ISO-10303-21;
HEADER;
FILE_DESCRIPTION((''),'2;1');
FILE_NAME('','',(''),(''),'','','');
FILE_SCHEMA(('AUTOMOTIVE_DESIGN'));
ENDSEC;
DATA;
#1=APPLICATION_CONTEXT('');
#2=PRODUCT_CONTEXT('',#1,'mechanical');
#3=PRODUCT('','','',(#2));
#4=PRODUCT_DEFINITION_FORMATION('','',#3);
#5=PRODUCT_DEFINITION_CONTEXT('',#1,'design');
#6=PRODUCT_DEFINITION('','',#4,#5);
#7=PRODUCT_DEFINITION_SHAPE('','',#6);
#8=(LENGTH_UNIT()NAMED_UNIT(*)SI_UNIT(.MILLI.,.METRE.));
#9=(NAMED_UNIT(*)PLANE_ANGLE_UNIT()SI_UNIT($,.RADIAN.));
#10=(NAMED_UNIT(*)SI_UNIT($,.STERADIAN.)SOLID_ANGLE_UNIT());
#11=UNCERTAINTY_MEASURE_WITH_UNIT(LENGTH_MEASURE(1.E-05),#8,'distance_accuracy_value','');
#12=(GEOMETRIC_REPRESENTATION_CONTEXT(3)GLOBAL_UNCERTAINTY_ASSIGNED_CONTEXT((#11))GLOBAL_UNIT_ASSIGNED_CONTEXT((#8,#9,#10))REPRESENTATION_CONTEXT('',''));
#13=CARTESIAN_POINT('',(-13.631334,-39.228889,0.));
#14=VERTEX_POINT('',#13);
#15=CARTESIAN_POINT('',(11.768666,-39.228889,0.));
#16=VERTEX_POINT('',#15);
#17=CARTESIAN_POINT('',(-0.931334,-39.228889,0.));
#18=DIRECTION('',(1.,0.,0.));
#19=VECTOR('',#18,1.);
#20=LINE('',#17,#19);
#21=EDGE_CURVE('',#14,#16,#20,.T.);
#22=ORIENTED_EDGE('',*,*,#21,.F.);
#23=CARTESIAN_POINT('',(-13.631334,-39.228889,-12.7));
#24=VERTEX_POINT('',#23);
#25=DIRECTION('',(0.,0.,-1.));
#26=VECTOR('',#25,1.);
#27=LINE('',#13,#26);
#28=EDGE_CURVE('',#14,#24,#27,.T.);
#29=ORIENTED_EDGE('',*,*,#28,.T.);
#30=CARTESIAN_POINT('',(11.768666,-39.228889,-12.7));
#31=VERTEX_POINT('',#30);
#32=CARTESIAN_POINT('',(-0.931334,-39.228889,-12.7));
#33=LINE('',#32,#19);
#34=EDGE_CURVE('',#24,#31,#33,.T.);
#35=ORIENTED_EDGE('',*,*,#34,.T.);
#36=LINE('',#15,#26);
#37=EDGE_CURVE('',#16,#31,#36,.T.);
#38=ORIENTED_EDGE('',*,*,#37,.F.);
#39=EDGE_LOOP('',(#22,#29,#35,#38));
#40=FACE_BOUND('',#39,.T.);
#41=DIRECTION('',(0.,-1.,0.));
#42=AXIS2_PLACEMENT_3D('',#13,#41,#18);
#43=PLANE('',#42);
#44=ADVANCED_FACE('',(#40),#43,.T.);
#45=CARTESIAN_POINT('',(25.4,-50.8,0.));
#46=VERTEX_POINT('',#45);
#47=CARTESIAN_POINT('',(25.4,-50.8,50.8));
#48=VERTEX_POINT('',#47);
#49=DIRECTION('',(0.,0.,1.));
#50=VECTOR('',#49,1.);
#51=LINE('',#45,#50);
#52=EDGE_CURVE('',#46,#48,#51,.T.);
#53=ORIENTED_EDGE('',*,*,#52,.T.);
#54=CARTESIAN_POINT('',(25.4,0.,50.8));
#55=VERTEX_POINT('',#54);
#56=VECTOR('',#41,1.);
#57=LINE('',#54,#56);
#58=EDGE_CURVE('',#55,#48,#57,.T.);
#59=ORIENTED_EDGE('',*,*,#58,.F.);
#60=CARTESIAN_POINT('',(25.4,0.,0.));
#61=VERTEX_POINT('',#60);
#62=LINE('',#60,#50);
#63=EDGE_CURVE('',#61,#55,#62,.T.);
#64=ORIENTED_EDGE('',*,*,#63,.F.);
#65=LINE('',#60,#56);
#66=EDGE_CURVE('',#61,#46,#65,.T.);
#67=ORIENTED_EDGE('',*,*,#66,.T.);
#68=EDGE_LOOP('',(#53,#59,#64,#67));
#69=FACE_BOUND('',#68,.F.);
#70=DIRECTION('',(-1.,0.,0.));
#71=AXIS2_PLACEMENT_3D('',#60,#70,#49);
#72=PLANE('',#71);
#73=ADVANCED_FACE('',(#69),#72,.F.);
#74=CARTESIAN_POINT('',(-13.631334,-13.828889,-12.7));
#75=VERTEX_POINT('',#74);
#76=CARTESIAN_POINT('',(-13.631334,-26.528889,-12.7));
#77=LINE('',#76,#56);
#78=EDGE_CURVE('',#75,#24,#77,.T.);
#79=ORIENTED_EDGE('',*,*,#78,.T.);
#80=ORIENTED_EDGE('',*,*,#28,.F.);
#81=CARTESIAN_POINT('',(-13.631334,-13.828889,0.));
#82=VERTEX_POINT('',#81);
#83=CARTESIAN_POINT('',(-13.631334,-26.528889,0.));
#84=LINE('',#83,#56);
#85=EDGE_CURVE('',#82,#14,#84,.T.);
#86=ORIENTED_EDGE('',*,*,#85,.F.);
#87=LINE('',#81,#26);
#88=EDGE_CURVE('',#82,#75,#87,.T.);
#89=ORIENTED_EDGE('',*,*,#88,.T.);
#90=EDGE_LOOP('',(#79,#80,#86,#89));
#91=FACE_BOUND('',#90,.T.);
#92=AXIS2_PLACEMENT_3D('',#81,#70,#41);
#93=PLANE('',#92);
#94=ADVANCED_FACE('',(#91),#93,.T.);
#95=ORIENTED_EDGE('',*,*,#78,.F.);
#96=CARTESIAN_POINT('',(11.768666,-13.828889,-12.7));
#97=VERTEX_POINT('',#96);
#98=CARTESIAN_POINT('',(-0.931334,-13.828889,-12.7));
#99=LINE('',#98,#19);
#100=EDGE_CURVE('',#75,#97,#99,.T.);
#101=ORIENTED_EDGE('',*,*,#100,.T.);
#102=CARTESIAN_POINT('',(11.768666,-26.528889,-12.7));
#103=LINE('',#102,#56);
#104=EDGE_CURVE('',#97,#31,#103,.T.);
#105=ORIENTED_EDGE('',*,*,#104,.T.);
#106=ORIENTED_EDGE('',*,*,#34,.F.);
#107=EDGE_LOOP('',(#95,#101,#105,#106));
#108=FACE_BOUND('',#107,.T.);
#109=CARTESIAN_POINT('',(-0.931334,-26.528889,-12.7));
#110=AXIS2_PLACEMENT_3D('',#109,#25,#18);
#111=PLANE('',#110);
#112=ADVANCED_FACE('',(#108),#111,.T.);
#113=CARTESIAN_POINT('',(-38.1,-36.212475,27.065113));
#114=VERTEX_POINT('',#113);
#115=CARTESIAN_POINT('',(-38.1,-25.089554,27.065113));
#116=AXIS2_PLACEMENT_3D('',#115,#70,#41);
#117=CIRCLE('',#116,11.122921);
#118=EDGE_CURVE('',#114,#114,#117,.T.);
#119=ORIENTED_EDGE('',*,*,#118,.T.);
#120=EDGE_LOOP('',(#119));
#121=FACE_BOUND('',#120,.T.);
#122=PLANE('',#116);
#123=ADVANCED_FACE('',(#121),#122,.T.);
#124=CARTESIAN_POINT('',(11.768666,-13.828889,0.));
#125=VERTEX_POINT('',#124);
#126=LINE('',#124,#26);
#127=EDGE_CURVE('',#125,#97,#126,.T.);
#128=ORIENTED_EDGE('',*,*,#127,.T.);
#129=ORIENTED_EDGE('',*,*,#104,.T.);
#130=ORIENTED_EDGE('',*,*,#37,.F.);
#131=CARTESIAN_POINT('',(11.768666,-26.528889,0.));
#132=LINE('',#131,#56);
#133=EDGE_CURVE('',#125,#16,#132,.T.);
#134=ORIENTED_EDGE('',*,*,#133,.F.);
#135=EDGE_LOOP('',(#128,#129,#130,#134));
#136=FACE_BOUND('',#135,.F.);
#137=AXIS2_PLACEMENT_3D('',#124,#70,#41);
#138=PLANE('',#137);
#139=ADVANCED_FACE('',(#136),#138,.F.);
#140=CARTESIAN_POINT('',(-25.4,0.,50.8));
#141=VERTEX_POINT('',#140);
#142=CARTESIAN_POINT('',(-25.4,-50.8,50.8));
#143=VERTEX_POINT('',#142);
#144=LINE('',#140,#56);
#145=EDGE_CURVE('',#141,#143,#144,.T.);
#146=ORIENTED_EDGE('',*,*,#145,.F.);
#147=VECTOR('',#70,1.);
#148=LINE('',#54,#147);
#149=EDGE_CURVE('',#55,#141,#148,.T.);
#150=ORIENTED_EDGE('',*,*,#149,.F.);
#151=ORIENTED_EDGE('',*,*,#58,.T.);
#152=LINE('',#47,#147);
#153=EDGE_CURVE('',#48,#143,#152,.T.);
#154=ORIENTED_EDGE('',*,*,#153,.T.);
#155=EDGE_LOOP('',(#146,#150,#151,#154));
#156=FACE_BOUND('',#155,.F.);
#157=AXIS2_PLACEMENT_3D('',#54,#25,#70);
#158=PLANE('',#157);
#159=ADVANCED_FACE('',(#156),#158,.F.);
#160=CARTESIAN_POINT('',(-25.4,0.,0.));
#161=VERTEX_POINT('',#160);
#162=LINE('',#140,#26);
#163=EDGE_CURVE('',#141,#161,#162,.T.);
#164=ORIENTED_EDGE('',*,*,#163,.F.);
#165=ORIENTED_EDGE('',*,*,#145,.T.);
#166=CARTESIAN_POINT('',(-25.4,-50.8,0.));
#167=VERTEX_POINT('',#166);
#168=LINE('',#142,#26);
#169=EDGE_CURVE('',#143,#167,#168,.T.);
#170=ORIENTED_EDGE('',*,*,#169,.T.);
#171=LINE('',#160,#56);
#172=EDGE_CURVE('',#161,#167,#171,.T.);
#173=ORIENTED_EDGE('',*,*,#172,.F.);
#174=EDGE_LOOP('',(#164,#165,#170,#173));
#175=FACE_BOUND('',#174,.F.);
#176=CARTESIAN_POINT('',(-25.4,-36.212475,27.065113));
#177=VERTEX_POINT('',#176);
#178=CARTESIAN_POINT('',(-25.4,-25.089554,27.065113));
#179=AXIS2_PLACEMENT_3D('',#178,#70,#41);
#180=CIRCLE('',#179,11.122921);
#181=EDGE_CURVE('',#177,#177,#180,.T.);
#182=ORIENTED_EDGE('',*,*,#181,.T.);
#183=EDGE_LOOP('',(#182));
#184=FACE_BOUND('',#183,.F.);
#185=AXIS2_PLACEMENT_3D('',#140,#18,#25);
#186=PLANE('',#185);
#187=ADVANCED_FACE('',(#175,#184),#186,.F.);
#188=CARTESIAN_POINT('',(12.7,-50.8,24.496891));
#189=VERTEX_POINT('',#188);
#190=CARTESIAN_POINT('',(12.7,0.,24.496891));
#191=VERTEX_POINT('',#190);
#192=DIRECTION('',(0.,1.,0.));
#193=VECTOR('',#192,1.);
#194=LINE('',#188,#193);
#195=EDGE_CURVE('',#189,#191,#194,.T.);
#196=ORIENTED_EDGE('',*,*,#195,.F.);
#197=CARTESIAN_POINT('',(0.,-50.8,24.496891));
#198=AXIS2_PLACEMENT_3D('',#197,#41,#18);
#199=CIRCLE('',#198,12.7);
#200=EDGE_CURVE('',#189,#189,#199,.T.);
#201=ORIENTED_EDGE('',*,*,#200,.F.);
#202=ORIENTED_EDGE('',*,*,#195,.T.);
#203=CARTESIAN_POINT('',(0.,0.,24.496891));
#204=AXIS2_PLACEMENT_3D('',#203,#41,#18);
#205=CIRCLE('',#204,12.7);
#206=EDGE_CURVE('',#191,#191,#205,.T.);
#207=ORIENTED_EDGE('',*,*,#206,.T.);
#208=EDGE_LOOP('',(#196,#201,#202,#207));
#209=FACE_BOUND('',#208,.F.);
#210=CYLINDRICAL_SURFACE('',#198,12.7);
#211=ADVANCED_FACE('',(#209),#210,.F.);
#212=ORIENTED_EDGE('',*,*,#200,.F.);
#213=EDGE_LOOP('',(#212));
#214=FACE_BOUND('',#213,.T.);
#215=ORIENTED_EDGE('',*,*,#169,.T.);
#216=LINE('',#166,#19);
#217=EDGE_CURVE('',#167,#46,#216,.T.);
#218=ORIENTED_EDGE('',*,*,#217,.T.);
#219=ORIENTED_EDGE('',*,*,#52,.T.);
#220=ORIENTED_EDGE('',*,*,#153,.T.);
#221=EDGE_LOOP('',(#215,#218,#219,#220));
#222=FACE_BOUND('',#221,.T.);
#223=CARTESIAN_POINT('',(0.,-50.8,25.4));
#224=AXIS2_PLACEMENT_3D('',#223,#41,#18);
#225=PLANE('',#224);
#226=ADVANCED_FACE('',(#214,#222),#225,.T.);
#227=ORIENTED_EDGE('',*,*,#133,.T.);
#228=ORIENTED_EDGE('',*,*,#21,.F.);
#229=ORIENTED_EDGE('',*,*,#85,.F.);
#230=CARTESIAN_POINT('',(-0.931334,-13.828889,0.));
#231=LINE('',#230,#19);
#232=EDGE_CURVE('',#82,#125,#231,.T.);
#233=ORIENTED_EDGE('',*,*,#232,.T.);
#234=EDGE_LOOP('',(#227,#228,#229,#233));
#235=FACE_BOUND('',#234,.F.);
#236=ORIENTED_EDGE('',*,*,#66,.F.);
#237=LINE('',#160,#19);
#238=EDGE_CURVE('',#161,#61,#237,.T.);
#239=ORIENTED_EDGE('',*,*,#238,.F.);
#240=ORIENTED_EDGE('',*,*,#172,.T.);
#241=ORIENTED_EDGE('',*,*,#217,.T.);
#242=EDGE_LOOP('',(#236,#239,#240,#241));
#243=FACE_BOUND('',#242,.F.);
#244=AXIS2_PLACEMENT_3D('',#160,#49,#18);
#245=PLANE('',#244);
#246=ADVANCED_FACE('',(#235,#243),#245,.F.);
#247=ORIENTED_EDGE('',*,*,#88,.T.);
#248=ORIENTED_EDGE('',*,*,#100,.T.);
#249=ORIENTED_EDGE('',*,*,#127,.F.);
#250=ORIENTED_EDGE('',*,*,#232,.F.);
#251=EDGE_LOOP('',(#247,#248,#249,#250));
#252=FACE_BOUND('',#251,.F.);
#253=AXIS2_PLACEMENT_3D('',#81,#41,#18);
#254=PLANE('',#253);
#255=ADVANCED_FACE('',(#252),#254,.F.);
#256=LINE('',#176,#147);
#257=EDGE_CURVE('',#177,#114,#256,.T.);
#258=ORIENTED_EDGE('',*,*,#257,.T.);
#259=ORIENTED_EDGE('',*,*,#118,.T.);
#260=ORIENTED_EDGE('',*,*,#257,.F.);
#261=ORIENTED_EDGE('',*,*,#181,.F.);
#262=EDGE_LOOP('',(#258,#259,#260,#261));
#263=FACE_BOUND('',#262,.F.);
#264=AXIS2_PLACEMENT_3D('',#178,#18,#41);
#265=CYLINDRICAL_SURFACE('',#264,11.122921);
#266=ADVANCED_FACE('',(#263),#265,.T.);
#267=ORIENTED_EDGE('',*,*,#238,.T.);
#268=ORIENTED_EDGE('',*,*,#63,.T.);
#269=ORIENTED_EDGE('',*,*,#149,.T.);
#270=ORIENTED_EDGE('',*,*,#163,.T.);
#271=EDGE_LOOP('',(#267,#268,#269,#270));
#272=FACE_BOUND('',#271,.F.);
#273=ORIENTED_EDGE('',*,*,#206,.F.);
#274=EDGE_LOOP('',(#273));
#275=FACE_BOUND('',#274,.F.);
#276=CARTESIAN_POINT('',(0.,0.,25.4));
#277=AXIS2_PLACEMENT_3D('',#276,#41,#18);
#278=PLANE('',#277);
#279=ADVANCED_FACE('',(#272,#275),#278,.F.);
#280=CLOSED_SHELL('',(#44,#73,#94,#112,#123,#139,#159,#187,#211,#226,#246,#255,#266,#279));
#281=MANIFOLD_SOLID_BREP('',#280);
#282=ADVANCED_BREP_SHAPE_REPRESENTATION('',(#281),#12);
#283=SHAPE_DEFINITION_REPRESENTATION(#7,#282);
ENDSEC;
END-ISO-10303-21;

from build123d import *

# Parameters (mm, degrees)
F1_DEPTH = 50.8
F2_R     = 12.7
F3_DEPTH = 50.8
F4_W     = 25.4
F4_H     = 25.4
F5_DEPTH = 12.7
F6_R     = 11.122921
F7_DEPTH = 12.7


with BuildPart() as f1:
    # F0 (on Front) → F1 (new body)
    with BuildSketch(Plane.XZ):
        Polygon((-25.4, 0), (0, 0), (25.4, 0), (25.4, 50.8), (-25.4, 50.8), align=None)
    extrude(amount=F1_DEPTH)

    # F2 (on face) → F3 (cut)
    with BuildSketch(Plane.XZ.offset(50.8)):
        with Locations((0, 24.496891)):
            Circle(F2_R)
    extrude(amount=-F3_DEPTH, mode=Mode.SUBTRACT)

    # F4 (on face) → F5 (join)
    with BuildSketch(Plane(origin=(0, 0, 0), x_dir=(1, 0, 0), z_dir=(0, 0, -1))):
        with Locations((-0.931334, 26.528889)):
            Rectangle(F4_W, F4_H)
    extrude(amount=F5_DEPTH)

    # F6 (on face) → F7 (join)
    with BuildSketch(Plane(origin=(-25.4, 0, 0), x_dir=(0, -1, 0), z_dir=(-1, 0, 0))):
        with Locations((25.089554, 27.065113)):
            Circle(F6_R)
    extrude(amount=F7_DEPTH)


solid = f1.part
